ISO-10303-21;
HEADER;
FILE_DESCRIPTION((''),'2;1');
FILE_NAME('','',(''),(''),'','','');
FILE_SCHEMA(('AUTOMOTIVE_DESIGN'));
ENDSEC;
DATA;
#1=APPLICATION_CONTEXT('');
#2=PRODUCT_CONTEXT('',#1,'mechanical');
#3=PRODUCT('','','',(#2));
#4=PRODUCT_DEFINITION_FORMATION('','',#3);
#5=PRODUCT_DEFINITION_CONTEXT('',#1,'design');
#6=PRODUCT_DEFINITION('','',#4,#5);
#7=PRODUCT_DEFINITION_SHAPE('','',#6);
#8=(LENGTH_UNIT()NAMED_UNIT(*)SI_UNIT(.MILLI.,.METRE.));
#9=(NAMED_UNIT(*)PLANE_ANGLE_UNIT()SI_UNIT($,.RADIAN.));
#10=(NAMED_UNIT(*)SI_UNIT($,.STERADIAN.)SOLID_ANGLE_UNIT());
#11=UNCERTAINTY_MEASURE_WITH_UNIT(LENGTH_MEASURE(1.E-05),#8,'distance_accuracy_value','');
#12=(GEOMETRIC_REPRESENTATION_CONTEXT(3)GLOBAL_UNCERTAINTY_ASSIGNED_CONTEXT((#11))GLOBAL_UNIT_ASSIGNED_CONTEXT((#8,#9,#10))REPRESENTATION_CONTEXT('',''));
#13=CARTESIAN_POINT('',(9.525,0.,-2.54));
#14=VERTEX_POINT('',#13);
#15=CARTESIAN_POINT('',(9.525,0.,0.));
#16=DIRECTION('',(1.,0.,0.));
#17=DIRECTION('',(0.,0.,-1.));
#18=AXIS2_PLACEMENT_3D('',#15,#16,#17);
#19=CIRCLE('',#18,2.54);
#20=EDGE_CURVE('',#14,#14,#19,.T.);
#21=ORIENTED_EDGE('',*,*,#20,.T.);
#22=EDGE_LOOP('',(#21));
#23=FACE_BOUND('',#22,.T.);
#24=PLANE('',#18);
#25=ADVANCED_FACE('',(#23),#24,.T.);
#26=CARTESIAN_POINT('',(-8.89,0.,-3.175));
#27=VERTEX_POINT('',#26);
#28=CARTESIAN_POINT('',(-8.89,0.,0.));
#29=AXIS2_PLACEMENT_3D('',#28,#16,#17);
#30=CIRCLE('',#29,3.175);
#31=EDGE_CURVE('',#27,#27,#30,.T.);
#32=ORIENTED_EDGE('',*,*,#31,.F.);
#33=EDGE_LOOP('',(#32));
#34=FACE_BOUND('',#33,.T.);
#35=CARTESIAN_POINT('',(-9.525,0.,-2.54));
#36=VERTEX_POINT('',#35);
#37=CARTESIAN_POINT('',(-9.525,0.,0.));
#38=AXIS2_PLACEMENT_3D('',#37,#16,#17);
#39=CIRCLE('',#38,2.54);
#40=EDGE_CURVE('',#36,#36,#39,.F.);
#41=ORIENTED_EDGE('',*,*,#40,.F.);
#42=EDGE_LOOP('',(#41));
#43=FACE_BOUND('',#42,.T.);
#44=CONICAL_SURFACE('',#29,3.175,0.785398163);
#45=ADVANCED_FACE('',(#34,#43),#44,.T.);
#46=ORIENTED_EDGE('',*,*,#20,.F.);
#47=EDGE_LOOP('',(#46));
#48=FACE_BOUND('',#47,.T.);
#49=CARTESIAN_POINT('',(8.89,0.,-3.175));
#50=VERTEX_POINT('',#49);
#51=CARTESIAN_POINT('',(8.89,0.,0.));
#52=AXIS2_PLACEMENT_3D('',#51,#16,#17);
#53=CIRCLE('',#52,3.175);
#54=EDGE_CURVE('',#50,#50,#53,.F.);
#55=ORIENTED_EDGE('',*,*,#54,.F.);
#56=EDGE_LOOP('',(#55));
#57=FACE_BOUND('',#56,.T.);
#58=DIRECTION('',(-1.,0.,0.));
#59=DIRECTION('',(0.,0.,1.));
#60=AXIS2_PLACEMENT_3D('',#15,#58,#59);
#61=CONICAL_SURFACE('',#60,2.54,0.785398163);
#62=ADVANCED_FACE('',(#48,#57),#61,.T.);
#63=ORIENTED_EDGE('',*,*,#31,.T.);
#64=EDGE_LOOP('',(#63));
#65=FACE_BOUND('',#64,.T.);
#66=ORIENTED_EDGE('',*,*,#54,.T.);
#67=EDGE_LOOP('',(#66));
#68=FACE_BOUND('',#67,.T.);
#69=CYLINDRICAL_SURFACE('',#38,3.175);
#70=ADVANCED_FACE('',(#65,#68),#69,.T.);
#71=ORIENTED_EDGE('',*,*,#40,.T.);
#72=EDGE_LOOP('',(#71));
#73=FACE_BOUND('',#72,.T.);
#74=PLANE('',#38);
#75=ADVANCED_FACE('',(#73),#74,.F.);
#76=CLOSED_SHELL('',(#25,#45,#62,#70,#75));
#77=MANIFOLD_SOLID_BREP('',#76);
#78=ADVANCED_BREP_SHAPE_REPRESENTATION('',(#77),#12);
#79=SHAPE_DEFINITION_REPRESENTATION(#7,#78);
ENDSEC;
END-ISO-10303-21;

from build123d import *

# Parameters (mm, degrees)
SKETCH2_R           = 3.175
EXTRUDE1_DEPTH      = 9.525
EXTRUDE1_DEPTH_BACK = 9.525
CHAMFER1_SIZE       = 0.635


with BuildPart() as part:
    # Sketch2 → Extrude1 (new body, two sides)
    with BuildSketch(Plane(origin=(0, 0, 0), x_dir=(0, 0, -1), z_dir=(1, 0, 0))) as extrude1_sk:
        Circle(SKETCH2_R)
    extrude(amount=EXTRUDE1_DEPTH)
    extrude(extrude1_sk.sketch, amount=-EXTRUDE1_DEPTH_BACK)

    # Chamfer1
    chamfer1_edges = [part.edges().sort_by_distance(p)[0] for p in [
        (-9.525, 0, 3.175),
        (9.525, 0, 3.175),
    ]]
    chamfer(chamfer1_edges, length=CHAMFER1_SIZE)


solid = part.part
